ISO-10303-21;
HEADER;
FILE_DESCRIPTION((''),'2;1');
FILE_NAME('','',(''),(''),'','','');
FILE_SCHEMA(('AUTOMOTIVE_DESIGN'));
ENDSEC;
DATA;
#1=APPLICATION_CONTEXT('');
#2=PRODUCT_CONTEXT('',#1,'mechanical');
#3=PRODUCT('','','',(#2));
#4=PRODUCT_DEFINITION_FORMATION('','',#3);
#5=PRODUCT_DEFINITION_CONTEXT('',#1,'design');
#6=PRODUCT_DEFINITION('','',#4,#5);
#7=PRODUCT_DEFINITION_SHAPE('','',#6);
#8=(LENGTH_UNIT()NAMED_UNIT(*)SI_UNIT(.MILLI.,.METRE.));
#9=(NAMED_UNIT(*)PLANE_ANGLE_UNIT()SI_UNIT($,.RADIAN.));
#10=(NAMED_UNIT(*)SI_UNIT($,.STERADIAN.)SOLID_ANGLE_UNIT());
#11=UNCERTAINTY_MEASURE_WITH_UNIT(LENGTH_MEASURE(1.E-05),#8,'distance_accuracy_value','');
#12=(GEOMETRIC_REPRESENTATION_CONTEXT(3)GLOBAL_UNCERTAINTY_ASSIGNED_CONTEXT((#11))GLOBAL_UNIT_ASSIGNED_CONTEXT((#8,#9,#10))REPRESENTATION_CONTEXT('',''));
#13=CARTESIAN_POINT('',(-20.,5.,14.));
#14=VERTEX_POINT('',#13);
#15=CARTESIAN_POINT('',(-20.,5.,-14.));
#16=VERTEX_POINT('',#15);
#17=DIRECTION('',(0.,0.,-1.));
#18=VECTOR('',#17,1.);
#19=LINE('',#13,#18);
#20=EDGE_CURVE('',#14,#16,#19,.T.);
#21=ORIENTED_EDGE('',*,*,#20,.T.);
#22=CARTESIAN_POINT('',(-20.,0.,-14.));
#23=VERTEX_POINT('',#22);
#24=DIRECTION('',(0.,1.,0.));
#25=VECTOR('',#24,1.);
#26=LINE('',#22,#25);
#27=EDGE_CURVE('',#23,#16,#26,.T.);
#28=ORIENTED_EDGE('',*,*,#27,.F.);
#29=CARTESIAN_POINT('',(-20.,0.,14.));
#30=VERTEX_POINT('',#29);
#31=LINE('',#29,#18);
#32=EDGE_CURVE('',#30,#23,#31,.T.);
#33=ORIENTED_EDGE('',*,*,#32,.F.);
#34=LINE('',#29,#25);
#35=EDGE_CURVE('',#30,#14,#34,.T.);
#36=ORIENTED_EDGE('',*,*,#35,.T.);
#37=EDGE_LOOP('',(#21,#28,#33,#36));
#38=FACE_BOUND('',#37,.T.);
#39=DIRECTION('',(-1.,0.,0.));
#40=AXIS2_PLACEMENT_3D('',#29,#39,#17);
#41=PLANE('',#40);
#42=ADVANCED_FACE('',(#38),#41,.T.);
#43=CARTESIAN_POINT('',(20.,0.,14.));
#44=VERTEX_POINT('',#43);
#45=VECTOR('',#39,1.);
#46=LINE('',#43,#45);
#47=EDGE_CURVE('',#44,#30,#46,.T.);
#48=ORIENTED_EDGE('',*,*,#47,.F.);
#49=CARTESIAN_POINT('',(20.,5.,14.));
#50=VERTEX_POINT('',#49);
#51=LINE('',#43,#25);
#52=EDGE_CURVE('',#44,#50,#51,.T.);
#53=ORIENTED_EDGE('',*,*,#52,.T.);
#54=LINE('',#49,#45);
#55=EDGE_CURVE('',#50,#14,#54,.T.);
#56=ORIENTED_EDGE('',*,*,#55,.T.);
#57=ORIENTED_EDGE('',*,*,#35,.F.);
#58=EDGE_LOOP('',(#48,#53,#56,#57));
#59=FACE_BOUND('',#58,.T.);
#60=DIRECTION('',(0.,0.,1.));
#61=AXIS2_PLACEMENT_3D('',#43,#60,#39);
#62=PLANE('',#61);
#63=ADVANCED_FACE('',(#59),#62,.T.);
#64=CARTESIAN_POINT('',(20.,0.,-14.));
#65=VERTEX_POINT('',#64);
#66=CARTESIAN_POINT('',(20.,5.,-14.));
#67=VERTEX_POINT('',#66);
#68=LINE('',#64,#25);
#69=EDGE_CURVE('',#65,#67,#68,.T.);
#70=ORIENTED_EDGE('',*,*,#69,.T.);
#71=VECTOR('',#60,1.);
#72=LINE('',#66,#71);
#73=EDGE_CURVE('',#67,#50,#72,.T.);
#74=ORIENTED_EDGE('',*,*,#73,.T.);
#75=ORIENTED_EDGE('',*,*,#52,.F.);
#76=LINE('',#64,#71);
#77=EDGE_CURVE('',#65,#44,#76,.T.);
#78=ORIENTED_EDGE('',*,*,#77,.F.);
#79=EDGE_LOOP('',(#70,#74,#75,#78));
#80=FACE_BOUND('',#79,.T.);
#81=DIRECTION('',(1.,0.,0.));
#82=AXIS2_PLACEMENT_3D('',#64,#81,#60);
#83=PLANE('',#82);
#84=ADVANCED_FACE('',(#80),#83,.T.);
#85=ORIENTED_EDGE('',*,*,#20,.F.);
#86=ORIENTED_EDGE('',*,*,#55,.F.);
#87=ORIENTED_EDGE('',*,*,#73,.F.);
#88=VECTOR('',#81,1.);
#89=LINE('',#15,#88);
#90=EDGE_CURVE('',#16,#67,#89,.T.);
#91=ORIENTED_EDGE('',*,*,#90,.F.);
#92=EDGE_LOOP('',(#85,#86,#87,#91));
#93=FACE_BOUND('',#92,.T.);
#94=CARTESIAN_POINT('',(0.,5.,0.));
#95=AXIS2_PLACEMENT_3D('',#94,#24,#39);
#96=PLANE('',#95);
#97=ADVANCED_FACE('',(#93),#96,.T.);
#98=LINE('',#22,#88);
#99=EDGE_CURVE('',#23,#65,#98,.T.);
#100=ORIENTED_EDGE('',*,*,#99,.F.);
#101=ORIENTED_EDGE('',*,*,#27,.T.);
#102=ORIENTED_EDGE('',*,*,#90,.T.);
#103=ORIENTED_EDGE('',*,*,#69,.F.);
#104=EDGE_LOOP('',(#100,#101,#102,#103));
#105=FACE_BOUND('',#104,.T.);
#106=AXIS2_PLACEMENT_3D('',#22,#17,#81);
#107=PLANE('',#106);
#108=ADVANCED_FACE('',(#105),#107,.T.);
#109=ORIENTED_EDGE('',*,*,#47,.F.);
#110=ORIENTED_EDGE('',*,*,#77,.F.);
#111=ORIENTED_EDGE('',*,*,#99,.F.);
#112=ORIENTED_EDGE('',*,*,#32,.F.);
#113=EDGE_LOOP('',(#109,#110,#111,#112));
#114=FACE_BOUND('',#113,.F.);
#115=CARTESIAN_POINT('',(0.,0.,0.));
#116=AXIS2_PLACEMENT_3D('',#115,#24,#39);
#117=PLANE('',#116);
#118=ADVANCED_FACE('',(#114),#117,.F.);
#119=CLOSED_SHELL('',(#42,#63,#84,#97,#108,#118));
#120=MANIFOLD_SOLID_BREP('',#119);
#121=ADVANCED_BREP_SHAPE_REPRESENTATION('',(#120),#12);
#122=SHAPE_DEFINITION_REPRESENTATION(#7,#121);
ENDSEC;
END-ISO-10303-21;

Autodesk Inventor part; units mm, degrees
ref_plane "YZ Plane" through (0, 0, 0) normal (1, 0, 0) x (0, 1, 0)
ref_plane "XZ Plane" through (0, 0, 0) normal (0, 1, 0) x (-1, 0, 0)
ref_plane "XY Plane" through (0, 0, 0) normal (0, 0, 1) x (1, 0, 0)
sketch "Sketch1" plane through (0, 0, 0) normal (0, 1, 0) x (-1, 0, 0)
  line L0 (-20, 14) -> (20, 14)
  line L1 (20, 14) -> (20, -14)
  line L2 (20, -14) -> (-20, -14)
  line L3 (-20, -14) -> (-20, 14)
  line L4 (-20, 14) -> (20, -14) construction
  line L5 (20, 14) -> (-20, -14) construction
  point P0 (0, 0)
  dimension "d0" = 28
  dimension "d1" = 40
extrude "Extrusion1" add sketch "Sketch1" along normal blind 5
properties part number "Heat Sink - V1" material "Aluminum 6061"
